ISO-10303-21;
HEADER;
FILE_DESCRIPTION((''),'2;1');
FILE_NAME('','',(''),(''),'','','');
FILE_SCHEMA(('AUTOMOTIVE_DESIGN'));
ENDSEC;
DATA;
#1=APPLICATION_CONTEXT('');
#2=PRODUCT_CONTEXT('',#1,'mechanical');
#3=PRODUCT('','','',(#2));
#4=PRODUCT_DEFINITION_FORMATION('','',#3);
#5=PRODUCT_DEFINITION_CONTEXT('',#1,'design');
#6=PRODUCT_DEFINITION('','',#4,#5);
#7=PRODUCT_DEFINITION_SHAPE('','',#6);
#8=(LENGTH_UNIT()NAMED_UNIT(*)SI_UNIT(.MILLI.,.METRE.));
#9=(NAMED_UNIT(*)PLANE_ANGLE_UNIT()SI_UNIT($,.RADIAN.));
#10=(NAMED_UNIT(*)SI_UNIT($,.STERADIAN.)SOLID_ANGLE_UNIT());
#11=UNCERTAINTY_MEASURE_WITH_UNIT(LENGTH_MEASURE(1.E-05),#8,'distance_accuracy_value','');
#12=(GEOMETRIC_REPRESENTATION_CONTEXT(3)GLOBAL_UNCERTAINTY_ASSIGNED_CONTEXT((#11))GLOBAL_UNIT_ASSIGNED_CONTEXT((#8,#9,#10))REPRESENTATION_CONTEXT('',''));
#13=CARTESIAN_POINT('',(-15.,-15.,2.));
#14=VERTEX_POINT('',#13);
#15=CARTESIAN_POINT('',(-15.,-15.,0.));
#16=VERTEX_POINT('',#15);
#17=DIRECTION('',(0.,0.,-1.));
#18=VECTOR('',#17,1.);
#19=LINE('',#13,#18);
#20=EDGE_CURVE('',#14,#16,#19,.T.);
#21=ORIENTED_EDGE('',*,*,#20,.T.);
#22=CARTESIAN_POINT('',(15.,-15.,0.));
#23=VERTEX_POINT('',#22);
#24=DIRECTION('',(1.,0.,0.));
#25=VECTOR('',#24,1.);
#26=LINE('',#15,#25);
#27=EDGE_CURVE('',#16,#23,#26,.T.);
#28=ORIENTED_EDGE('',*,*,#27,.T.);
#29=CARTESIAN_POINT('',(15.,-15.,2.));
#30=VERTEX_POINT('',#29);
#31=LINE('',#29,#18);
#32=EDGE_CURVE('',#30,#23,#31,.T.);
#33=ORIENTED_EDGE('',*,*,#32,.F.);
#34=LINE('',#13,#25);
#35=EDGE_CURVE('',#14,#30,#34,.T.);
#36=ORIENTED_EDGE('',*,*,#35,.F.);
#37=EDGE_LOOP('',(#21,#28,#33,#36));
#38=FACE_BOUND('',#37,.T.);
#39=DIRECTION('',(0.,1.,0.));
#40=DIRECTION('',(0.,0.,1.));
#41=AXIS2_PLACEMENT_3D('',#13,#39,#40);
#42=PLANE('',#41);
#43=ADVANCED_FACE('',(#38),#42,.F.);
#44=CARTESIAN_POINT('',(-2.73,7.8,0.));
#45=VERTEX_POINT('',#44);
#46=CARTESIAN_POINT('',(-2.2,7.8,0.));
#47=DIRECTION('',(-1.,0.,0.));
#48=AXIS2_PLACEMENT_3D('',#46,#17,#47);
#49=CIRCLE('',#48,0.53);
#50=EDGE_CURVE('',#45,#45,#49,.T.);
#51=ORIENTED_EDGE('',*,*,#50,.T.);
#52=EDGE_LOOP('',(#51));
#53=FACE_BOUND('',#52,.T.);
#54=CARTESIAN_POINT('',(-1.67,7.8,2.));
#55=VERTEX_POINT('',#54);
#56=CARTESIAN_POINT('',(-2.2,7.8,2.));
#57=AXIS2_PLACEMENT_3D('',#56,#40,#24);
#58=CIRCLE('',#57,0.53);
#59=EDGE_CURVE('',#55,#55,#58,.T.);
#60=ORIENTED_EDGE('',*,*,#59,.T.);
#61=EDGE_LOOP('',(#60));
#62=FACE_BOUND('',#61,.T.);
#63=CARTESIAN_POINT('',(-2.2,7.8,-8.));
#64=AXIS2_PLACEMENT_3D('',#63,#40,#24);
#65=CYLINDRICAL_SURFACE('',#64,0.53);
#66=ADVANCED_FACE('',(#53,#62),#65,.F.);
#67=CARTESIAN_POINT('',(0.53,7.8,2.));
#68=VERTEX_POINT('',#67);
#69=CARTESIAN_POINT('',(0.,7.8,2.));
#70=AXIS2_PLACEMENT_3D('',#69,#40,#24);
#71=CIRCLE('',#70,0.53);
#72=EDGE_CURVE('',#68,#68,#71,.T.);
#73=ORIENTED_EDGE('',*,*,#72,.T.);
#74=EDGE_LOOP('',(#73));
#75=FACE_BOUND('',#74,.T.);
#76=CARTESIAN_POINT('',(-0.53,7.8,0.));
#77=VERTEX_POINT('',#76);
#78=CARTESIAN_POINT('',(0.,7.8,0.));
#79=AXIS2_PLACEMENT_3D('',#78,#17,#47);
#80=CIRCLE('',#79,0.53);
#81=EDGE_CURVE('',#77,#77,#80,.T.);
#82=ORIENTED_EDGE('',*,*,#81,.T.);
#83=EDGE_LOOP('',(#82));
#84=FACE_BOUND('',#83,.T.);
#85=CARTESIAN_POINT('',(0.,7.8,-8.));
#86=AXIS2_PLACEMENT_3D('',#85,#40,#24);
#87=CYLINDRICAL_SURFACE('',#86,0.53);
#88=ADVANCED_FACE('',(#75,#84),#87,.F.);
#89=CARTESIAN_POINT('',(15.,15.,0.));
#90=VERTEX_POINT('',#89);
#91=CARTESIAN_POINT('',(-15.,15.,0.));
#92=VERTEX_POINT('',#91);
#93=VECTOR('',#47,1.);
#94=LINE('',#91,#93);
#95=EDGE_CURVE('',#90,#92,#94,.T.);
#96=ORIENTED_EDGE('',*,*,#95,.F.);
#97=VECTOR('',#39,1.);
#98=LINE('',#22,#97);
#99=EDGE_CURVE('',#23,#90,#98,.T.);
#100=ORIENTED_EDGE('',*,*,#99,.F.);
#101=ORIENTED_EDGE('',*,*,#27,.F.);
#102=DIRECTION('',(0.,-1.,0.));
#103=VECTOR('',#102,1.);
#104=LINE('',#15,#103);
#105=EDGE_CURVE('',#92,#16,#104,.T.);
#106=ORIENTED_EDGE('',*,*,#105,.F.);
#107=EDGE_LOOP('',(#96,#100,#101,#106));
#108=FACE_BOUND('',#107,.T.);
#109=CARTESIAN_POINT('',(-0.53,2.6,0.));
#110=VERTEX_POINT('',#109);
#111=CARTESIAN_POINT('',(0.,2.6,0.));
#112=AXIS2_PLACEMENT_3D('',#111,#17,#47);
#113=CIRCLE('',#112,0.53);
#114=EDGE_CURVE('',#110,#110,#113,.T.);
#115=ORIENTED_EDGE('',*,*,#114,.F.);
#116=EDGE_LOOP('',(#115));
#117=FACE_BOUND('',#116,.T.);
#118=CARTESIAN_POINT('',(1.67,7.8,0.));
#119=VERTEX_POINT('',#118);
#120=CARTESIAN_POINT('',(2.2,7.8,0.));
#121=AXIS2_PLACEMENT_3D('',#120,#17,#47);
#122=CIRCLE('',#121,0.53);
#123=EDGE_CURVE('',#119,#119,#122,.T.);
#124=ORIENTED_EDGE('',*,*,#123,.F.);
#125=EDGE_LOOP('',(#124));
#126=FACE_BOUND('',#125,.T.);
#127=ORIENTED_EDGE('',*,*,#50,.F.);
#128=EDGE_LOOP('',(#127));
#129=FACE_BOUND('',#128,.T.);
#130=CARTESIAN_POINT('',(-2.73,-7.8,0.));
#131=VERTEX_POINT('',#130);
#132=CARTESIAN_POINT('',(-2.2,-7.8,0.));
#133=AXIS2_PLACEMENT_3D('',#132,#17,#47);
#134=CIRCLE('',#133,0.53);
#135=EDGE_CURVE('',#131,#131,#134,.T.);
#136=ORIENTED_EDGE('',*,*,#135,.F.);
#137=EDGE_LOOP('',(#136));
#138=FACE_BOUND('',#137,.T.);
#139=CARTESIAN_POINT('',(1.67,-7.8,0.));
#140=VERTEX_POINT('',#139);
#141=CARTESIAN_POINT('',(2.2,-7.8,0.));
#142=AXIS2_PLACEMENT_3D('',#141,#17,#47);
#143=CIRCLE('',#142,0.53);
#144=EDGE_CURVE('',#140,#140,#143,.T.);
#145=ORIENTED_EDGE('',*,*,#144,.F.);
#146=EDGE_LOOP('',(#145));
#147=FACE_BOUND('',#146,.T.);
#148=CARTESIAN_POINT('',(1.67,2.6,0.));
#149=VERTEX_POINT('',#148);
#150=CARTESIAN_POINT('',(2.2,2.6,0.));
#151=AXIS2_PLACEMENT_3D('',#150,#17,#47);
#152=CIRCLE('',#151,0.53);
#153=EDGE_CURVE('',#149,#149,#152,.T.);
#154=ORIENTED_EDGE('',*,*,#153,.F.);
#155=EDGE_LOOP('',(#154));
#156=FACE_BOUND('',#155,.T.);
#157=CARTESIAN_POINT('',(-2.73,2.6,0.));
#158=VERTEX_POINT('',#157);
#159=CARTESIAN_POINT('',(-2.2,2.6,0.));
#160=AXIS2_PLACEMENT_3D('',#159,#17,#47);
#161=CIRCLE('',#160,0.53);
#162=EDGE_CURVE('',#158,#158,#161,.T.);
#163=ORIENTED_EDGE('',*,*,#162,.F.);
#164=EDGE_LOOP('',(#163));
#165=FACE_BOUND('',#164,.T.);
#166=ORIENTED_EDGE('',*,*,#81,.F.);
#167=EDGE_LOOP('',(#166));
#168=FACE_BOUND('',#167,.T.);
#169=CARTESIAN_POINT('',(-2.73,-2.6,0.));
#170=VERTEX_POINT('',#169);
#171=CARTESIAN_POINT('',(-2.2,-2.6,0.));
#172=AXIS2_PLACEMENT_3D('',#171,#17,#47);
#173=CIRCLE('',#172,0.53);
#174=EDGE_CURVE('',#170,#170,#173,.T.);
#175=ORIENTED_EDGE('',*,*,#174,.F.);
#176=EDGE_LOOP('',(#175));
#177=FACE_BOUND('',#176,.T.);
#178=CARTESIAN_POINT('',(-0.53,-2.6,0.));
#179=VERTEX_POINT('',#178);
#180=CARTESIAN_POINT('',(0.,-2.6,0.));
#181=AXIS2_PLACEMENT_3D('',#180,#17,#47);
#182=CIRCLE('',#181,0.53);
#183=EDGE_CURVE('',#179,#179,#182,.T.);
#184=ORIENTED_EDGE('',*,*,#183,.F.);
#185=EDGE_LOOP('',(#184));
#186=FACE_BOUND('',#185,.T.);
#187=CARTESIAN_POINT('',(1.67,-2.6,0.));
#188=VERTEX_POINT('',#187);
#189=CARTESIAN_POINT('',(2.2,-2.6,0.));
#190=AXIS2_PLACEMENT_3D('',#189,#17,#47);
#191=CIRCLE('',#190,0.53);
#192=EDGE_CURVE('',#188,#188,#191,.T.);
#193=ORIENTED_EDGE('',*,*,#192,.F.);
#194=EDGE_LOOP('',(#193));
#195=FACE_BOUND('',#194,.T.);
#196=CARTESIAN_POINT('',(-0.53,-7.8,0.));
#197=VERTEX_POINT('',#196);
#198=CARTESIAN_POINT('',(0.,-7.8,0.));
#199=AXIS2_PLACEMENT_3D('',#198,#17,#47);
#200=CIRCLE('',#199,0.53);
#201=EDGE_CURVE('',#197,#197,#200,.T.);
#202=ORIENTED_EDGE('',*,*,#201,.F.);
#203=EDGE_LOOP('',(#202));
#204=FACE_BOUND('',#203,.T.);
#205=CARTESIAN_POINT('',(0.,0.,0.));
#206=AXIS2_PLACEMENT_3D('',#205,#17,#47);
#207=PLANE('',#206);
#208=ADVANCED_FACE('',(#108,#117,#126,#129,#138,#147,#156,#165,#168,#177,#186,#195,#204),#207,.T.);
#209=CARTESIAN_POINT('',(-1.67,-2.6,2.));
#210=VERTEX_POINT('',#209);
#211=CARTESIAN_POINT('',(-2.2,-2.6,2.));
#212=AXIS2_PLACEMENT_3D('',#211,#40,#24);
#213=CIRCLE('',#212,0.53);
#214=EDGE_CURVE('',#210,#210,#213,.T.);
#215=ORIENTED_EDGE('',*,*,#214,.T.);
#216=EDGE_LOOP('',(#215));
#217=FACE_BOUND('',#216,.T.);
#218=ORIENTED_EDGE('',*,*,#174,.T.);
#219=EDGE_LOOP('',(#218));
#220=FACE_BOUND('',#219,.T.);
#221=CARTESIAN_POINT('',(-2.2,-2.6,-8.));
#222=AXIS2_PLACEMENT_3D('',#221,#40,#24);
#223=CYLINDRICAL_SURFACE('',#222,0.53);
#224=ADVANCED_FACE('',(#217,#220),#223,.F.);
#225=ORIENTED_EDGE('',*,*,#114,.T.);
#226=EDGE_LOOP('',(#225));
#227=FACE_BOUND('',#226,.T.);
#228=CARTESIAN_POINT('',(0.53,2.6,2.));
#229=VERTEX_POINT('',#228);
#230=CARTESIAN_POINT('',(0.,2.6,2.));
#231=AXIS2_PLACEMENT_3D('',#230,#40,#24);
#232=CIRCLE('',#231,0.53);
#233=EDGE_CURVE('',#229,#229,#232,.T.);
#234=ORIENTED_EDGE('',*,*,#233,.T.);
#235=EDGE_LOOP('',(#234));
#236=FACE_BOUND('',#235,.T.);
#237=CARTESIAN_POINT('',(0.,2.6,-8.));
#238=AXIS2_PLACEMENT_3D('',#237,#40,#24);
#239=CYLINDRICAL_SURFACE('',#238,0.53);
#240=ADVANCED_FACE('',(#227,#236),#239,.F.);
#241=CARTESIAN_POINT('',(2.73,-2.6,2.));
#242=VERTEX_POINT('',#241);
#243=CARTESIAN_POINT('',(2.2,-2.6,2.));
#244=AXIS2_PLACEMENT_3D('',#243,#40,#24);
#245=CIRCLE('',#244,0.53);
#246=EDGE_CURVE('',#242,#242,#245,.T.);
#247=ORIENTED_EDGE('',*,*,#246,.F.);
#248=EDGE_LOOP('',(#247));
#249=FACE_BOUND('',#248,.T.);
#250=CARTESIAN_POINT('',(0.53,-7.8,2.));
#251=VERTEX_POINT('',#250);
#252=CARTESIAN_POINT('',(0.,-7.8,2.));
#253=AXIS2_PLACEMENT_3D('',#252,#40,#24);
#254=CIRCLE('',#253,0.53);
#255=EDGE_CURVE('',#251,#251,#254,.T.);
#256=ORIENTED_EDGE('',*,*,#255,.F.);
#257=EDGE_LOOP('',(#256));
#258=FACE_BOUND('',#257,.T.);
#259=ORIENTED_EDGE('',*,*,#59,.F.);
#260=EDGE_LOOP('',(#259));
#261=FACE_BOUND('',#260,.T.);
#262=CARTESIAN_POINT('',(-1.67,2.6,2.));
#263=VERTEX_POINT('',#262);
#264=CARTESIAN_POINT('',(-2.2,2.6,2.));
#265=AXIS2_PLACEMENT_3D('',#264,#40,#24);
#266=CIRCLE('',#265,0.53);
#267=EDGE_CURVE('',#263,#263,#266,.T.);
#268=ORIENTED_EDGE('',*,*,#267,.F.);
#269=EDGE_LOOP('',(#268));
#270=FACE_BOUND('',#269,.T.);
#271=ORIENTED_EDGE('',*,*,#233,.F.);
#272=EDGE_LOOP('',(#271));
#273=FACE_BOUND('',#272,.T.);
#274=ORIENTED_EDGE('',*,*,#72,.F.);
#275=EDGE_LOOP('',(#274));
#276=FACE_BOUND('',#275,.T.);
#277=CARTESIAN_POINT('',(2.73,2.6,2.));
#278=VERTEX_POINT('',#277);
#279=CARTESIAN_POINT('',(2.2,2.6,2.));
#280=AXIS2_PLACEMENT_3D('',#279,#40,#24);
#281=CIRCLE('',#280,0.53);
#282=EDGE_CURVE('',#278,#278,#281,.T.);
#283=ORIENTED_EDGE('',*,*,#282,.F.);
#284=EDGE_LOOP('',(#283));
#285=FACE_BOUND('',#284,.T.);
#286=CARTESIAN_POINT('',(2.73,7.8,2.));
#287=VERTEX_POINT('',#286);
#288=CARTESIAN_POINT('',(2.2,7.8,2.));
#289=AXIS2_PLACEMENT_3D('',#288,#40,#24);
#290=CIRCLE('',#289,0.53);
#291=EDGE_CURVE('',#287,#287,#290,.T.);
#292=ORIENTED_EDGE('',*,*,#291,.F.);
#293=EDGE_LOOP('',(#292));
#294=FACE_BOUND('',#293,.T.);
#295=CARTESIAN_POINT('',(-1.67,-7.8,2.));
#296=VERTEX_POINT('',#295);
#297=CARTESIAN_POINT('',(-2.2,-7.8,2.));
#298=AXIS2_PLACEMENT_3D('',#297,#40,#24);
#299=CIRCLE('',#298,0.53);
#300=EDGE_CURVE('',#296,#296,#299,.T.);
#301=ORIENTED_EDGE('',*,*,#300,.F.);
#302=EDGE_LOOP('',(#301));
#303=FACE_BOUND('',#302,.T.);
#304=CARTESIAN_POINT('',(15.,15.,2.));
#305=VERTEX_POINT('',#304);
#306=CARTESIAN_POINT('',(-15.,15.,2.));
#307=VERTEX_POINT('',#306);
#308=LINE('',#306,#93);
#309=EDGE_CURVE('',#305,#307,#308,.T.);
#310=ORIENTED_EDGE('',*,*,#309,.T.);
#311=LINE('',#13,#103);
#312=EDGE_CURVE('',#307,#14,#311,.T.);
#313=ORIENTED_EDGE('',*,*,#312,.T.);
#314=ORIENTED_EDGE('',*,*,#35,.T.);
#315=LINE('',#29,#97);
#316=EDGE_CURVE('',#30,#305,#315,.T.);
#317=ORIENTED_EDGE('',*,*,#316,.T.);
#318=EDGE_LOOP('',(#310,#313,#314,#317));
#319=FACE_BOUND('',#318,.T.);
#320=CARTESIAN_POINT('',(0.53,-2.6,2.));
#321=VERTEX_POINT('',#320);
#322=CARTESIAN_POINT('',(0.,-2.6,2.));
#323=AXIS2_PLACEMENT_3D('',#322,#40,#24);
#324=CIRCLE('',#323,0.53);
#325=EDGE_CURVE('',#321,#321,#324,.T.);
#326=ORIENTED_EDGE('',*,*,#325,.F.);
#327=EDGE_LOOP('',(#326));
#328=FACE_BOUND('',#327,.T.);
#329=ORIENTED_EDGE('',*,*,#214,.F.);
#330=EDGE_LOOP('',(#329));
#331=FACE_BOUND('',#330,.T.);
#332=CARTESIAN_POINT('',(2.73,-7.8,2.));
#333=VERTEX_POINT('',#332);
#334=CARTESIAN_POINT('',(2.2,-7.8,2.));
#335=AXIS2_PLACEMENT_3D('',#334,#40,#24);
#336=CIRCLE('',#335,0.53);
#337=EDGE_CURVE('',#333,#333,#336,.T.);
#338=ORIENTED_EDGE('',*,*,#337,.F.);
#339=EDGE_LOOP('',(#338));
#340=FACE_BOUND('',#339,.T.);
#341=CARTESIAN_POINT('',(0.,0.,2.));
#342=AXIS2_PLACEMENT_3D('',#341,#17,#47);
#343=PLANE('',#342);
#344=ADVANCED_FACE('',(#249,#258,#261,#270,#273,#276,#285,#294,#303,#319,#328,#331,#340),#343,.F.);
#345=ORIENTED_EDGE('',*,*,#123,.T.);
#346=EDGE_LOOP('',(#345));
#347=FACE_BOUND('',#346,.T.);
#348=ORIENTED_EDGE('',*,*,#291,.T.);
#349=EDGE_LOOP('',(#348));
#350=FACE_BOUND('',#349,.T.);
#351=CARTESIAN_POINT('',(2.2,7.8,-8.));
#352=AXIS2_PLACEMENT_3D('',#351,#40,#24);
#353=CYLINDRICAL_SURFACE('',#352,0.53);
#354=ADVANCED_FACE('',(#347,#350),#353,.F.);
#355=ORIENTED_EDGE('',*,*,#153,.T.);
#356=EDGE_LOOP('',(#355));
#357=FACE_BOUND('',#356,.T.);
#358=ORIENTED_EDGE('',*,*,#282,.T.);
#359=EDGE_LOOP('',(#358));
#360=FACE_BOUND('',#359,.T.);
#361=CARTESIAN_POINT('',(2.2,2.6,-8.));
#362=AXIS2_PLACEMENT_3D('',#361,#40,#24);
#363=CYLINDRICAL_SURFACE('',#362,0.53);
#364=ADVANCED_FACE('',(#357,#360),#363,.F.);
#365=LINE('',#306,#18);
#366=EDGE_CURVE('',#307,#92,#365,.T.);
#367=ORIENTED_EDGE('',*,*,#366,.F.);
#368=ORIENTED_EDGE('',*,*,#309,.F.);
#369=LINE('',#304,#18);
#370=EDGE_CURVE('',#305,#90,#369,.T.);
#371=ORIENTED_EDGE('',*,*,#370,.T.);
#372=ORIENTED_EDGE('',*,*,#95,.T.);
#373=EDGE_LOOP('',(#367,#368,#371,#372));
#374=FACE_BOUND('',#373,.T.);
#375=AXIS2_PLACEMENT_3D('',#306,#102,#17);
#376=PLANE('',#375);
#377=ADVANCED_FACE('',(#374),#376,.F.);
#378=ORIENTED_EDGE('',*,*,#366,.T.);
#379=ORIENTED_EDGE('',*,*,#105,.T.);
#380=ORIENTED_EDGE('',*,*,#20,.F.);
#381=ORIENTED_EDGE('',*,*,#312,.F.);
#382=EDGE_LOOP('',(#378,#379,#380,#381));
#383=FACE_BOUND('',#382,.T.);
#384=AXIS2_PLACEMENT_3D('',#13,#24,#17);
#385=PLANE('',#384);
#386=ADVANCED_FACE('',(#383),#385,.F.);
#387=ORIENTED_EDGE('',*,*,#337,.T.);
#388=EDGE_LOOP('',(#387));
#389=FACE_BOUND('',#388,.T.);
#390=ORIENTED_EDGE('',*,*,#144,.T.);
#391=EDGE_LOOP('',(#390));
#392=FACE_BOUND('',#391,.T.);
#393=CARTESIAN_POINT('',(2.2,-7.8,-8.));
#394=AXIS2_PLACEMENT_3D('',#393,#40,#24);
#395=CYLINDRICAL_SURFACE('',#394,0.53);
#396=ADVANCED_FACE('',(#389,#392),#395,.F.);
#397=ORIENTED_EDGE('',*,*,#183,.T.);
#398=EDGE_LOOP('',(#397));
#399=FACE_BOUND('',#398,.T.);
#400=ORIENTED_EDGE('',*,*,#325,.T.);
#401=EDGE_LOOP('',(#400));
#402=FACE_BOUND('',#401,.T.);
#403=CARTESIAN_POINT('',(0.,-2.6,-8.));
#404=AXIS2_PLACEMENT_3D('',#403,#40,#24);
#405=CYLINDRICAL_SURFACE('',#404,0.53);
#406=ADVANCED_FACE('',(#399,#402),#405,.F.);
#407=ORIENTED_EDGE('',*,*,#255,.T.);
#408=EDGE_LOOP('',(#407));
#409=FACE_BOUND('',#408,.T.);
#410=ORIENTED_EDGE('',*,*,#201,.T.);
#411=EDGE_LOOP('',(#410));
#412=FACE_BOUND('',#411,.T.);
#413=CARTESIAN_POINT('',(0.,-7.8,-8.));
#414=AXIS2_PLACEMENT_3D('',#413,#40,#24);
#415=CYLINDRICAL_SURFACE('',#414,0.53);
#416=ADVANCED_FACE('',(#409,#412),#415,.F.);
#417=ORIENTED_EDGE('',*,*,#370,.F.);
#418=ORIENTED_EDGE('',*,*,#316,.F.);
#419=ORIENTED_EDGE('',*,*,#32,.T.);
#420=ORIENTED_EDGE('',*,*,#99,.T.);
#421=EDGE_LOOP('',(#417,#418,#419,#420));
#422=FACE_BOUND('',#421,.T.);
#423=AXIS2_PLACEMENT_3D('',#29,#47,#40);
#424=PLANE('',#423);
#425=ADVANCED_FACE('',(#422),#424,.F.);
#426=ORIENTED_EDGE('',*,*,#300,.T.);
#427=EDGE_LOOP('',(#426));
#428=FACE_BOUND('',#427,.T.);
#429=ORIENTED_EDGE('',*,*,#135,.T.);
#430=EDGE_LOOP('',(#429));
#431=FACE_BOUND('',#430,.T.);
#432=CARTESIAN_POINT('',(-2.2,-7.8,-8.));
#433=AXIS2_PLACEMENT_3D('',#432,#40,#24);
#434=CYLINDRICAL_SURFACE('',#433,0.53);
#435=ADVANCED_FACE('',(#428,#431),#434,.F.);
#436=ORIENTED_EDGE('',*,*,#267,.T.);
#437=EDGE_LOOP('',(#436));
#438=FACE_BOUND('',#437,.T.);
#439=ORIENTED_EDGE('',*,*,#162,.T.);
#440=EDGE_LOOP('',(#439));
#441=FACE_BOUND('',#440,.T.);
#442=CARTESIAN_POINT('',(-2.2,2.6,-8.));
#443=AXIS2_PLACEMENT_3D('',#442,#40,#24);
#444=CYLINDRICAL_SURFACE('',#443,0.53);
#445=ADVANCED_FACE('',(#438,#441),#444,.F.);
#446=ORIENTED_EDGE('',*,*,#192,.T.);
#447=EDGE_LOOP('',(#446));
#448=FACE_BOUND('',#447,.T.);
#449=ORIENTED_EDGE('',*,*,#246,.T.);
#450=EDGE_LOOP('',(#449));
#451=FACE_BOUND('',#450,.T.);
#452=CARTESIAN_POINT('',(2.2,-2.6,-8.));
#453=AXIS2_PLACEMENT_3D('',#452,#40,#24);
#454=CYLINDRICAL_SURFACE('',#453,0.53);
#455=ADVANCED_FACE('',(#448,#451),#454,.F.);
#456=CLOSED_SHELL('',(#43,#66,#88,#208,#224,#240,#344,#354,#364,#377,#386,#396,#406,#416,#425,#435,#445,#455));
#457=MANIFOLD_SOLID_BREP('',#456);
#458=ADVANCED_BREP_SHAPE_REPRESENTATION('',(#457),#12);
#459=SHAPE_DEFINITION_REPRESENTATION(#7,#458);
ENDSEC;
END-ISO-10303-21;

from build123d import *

# Parameters (mm, degrees)
ESQUISSE1_W            = 30
ESQUISSE1_H            = 30
BASE_PLATE_DEPTH       = 2
SKETCH_PERFORATIONS_R  = 0.53
CUT_PERFORATIONS_DEPTH = 10


with BuildPart() as part:
    # Esquisse1 → Base_Plate (new body)
    with BuildSketch(Plane.XY):
        Rectangle(ESQUISSE1_W, ESQUISSE1_H)
    extrude(amount=BASE_PLATE_DEPTH)

    # Sketch_Perforations → Cut_Perforations (cut)
    with BuildSketch(Plane.XY.offset(2)):
        with Locations((-2.2, -7.8)):
            Circle(SKETCH_PERFORATIONS_R)
        with Locations((-2.2, -2.6)):
            Circle(SKETCH_PERFORATIONS_R)
        with Locations((-2.2, 2.6)):
            Circle(SKETCH_PERFORATIONS_R)
        with Locations((-2.2, 7.8)):
            Circle(SKETCH_PERFORATIONS_R)
        with Locations((0, -7.8)):
            Circle(SKETCH_PERFORATIONS_R)
        with Locations((0, -2.6)):
            Circle(SKETCH_PERFORATIONS_R)
        with Locations((0, 2.6)):
            Circle(SKETCH_PERFORATIONS_R)
        with Locations((0, 7.8)):
            Circle(SKETCH_PERFORATIONS_R)
        with Locations((2.2, -7.8)):
            Circle(SKETCH_PERFORATIONS_R)
        with Locations((2.2, -2.6)):
            Circle(SKETCH_PERFORATIONS_R)
        with Locations((2.2, 2.6)):
            Circle(SKETCH_PERFORATIONS_R)
        with Locations((2.2, 7.8)):
            Circle(SKETCH_PERFORATIONS_R)
    extrude(amount=-CUT_PERFORATIONS_DEPTH, mode=Mode.SUBTRACT)


solid = part.part
